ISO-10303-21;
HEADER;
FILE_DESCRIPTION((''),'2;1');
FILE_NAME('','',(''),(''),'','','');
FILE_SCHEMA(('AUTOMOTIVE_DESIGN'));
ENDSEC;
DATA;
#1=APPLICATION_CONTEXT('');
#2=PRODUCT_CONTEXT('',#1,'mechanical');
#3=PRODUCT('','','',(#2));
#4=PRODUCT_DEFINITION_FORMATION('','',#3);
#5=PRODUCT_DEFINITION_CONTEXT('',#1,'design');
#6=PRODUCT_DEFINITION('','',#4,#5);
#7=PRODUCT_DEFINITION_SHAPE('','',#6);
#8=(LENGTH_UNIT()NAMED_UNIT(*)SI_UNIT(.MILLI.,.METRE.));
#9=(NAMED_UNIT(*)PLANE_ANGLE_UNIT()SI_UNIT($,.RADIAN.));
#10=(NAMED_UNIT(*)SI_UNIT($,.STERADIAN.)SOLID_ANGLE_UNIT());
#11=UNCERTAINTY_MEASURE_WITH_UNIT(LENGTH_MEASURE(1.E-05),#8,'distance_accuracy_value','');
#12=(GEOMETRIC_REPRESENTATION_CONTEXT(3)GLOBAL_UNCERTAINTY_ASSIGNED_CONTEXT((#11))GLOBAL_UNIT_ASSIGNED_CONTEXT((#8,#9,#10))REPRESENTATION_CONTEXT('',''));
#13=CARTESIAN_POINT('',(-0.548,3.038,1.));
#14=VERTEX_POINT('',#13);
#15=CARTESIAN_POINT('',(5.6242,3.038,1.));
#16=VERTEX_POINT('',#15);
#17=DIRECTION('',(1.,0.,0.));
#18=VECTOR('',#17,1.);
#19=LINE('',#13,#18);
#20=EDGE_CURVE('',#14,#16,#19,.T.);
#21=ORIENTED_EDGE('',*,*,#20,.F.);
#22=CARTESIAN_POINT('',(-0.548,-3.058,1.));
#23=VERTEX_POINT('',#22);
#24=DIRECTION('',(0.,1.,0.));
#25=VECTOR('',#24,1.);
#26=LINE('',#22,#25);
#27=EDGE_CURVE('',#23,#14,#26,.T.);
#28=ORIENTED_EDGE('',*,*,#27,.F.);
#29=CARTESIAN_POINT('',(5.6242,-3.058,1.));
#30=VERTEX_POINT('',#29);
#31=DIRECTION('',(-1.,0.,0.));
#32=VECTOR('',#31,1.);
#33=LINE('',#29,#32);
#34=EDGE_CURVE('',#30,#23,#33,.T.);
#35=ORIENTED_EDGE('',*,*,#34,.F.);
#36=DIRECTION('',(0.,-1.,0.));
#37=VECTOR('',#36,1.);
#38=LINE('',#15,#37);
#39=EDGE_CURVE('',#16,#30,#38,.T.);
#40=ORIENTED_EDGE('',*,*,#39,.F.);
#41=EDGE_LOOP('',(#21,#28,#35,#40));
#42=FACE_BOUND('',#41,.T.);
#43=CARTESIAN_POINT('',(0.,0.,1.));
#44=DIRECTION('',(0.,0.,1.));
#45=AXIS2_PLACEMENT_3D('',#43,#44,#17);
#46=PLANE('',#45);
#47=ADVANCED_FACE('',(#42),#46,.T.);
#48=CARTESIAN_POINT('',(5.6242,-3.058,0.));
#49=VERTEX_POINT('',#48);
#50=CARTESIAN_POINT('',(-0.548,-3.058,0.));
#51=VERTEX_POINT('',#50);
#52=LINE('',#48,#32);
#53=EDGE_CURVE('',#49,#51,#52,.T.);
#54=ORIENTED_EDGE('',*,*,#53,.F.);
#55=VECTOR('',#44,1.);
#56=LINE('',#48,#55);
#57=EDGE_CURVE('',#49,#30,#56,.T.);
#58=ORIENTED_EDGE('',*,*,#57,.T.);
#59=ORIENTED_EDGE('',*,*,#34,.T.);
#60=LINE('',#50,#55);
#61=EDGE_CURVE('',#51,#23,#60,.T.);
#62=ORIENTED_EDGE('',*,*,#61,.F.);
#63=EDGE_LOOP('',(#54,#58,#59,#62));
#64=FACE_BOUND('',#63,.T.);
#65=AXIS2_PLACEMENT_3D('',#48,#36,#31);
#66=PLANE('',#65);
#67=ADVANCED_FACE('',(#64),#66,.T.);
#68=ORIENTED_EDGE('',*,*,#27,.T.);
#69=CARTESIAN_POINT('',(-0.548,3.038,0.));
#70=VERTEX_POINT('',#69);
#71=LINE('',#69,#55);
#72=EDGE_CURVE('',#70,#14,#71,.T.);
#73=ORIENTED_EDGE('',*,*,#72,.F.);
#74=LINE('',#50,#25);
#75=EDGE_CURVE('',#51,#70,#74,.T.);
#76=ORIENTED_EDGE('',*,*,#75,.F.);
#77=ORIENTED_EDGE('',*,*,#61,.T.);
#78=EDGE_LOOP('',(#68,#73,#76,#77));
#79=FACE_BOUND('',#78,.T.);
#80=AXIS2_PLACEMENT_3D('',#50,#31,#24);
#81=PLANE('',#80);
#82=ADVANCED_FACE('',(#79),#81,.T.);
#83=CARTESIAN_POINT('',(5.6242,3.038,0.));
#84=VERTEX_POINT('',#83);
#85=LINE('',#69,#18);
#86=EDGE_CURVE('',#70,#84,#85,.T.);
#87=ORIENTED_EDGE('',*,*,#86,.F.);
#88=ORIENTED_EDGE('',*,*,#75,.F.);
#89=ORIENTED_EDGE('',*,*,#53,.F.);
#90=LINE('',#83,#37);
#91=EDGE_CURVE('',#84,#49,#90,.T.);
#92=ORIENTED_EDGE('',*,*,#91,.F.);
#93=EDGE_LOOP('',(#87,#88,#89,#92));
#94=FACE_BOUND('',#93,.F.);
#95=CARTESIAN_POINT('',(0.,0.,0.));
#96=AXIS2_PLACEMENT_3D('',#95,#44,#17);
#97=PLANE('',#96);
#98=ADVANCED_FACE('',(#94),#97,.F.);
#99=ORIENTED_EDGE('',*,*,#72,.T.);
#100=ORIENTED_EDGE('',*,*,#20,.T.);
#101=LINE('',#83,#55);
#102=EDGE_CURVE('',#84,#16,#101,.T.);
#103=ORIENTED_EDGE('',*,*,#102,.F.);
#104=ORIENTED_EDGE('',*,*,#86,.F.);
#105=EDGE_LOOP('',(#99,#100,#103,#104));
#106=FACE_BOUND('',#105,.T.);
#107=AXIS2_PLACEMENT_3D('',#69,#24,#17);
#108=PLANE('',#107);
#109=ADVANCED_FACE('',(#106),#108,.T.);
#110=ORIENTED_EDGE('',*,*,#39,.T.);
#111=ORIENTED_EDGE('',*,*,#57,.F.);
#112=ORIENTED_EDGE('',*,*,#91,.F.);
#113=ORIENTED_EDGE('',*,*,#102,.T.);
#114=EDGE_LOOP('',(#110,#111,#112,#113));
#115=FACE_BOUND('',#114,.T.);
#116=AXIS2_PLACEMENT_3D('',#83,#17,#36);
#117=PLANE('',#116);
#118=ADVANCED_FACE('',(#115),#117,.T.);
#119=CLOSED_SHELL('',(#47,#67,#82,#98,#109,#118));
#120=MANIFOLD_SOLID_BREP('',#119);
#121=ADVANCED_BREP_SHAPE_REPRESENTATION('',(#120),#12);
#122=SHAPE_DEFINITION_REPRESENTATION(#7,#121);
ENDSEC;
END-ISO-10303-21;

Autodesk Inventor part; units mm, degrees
ref_plane "YZ Plane" through (0, 0, 0) normal (1, 0, 0) x (0, 1, 0)
ref_plane "XZ Plane" through (0, 0, 0) normal (0, 1, 0) x (-1, 0, 0)
ref_plane "XY Plane" through (0, 0, 0) normal (0, 0, 1) x (1, 0, 0)
sketch "PBTH, S1_PBTH_138" plane through (0, 0, 0) normal (0, 0, 1) x (1, 0, 0)
  line L0 (-0.548, 3.038) -> (5.6242, 3.038)
  line L1 (5.6242, 3.038) -> (5.6242, -3.058)
  line L2 (5.6242, -3.058) -> (-0.548, -3.058)
  line L3 (-0.548, -3.058) -> (-0.548, 3.038)
extrude "Extrusion1" add sketch "PBTH, S1_PBTH_138" along normal blind 1
properties part number "S1_PBTH"
